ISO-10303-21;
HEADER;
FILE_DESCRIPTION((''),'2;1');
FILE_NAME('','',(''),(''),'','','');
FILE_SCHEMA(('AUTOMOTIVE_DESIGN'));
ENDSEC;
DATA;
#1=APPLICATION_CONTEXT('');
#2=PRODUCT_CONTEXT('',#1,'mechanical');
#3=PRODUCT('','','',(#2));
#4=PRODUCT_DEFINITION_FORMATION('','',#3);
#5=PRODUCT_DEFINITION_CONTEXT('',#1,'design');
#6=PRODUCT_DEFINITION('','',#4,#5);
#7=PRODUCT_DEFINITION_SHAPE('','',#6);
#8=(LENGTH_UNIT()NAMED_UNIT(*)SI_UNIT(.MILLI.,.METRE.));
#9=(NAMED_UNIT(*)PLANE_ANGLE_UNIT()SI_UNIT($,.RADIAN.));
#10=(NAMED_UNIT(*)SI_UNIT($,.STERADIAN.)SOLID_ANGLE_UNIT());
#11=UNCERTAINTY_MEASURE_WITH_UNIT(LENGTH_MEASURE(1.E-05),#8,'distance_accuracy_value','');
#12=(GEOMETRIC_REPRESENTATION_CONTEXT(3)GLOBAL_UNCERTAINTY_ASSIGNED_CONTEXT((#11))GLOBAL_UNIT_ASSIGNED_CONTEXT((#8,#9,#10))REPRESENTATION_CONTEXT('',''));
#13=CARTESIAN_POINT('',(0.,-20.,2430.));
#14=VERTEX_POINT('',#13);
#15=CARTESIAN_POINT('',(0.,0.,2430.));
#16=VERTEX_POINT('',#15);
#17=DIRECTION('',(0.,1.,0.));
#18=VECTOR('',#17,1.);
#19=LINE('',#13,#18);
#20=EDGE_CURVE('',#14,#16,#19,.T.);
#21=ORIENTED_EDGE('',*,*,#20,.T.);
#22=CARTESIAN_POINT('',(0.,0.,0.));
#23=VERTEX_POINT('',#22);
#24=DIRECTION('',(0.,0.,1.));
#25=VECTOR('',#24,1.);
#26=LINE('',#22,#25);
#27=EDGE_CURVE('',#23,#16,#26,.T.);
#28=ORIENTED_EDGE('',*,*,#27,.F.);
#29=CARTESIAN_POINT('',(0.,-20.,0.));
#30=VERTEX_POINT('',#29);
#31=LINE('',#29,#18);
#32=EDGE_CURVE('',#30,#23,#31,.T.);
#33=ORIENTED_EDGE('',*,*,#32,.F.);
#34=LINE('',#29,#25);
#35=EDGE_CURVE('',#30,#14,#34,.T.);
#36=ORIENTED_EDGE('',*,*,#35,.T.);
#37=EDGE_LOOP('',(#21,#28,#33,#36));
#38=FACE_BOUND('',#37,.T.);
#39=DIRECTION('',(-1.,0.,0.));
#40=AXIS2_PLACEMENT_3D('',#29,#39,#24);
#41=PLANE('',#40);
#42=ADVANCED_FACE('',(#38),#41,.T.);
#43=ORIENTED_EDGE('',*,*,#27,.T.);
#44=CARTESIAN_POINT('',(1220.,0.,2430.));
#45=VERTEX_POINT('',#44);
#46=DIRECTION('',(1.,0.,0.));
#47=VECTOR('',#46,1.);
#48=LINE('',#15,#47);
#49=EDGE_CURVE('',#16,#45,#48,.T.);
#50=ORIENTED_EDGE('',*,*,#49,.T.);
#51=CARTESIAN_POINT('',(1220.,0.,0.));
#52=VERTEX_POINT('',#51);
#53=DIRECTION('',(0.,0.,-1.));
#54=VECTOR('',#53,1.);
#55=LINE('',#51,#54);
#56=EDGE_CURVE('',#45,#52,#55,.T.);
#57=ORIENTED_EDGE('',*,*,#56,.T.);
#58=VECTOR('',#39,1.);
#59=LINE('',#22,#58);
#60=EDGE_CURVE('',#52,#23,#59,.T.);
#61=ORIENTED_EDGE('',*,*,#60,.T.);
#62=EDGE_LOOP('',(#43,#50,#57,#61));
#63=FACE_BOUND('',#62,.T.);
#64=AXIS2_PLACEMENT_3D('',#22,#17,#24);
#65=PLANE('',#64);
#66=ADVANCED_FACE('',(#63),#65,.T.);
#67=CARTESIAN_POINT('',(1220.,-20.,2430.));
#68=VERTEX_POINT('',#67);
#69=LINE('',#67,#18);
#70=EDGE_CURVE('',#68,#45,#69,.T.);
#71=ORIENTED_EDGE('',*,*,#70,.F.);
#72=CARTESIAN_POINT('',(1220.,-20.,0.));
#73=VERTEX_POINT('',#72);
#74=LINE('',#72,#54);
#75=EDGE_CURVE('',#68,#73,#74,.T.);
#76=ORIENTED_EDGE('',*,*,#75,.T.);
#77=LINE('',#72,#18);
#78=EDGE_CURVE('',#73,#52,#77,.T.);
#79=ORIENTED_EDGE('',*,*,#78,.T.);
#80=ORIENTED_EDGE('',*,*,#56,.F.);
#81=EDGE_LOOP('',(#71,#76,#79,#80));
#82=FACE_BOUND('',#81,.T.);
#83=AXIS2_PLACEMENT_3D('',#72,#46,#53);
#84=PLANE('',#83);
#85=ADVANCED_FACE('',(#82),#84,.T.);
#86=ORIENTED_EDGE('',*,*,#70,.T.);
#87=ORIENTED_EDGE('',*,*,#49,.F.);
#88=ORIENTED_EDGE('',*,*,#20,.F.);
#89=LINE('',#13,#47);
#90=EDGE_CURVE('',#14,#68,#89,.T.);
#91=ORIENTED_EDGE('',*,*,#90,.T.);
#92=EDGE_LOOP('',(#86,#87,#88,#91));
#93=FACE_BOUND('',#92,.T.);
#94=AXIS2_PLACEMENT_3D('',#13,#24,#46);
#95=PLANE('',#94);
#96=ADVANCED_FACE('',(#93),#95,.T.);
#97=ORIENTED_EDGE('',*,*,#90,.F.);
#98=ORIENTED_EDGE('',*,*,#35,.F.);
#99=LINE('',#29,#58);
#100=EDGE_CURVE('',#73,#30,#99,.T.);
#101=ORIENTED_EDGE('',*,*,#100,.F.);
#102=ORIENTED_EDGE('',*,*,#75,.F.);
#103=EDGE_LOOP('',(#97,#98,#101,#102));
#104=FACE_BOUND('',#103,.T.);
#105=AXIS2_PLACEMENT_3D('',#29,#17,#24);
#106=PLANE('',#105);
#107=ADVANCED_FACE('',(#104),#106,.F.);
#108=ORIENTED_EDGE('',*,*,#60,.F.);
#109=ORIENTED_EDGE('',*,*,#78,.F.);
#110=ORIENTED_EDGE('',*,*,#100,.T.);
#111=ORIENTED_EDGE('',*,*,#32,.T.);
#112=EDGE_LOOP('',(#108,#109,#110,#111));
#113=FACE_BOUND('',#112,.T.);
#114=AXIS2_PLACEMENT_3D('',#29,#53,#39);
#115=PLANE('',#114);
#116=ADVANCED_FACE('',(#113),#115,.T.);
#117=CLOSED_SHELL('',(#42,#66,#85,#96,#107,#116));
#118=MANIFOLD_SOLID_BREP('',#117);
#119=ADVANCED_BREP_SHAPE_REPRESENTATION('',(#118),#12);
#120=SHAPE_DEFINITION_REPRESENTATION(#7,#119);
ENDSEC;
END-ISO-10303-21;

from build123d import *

# Parameters (mm, degrees)
SKETCH_1_W      = 1220
SKETCH_1_H      = 2430
EXTRUDE_1_DEPTH = 20


with BuildPart() as part:
    # 草图1 → 凸台-拉伸1 (new body)
    with BuildSketch(Plane(origin=(0, 0, 0), x_dir=(1, 0, 0), z_dir=(0, 1, 0))):
        with Locations((610, -1215)):
            Rectangle(SKETCH_1_W, SKETCH_1_H)
    extrude(amount=-EXTRUDE_1_DEPTH)


solid = part.part
